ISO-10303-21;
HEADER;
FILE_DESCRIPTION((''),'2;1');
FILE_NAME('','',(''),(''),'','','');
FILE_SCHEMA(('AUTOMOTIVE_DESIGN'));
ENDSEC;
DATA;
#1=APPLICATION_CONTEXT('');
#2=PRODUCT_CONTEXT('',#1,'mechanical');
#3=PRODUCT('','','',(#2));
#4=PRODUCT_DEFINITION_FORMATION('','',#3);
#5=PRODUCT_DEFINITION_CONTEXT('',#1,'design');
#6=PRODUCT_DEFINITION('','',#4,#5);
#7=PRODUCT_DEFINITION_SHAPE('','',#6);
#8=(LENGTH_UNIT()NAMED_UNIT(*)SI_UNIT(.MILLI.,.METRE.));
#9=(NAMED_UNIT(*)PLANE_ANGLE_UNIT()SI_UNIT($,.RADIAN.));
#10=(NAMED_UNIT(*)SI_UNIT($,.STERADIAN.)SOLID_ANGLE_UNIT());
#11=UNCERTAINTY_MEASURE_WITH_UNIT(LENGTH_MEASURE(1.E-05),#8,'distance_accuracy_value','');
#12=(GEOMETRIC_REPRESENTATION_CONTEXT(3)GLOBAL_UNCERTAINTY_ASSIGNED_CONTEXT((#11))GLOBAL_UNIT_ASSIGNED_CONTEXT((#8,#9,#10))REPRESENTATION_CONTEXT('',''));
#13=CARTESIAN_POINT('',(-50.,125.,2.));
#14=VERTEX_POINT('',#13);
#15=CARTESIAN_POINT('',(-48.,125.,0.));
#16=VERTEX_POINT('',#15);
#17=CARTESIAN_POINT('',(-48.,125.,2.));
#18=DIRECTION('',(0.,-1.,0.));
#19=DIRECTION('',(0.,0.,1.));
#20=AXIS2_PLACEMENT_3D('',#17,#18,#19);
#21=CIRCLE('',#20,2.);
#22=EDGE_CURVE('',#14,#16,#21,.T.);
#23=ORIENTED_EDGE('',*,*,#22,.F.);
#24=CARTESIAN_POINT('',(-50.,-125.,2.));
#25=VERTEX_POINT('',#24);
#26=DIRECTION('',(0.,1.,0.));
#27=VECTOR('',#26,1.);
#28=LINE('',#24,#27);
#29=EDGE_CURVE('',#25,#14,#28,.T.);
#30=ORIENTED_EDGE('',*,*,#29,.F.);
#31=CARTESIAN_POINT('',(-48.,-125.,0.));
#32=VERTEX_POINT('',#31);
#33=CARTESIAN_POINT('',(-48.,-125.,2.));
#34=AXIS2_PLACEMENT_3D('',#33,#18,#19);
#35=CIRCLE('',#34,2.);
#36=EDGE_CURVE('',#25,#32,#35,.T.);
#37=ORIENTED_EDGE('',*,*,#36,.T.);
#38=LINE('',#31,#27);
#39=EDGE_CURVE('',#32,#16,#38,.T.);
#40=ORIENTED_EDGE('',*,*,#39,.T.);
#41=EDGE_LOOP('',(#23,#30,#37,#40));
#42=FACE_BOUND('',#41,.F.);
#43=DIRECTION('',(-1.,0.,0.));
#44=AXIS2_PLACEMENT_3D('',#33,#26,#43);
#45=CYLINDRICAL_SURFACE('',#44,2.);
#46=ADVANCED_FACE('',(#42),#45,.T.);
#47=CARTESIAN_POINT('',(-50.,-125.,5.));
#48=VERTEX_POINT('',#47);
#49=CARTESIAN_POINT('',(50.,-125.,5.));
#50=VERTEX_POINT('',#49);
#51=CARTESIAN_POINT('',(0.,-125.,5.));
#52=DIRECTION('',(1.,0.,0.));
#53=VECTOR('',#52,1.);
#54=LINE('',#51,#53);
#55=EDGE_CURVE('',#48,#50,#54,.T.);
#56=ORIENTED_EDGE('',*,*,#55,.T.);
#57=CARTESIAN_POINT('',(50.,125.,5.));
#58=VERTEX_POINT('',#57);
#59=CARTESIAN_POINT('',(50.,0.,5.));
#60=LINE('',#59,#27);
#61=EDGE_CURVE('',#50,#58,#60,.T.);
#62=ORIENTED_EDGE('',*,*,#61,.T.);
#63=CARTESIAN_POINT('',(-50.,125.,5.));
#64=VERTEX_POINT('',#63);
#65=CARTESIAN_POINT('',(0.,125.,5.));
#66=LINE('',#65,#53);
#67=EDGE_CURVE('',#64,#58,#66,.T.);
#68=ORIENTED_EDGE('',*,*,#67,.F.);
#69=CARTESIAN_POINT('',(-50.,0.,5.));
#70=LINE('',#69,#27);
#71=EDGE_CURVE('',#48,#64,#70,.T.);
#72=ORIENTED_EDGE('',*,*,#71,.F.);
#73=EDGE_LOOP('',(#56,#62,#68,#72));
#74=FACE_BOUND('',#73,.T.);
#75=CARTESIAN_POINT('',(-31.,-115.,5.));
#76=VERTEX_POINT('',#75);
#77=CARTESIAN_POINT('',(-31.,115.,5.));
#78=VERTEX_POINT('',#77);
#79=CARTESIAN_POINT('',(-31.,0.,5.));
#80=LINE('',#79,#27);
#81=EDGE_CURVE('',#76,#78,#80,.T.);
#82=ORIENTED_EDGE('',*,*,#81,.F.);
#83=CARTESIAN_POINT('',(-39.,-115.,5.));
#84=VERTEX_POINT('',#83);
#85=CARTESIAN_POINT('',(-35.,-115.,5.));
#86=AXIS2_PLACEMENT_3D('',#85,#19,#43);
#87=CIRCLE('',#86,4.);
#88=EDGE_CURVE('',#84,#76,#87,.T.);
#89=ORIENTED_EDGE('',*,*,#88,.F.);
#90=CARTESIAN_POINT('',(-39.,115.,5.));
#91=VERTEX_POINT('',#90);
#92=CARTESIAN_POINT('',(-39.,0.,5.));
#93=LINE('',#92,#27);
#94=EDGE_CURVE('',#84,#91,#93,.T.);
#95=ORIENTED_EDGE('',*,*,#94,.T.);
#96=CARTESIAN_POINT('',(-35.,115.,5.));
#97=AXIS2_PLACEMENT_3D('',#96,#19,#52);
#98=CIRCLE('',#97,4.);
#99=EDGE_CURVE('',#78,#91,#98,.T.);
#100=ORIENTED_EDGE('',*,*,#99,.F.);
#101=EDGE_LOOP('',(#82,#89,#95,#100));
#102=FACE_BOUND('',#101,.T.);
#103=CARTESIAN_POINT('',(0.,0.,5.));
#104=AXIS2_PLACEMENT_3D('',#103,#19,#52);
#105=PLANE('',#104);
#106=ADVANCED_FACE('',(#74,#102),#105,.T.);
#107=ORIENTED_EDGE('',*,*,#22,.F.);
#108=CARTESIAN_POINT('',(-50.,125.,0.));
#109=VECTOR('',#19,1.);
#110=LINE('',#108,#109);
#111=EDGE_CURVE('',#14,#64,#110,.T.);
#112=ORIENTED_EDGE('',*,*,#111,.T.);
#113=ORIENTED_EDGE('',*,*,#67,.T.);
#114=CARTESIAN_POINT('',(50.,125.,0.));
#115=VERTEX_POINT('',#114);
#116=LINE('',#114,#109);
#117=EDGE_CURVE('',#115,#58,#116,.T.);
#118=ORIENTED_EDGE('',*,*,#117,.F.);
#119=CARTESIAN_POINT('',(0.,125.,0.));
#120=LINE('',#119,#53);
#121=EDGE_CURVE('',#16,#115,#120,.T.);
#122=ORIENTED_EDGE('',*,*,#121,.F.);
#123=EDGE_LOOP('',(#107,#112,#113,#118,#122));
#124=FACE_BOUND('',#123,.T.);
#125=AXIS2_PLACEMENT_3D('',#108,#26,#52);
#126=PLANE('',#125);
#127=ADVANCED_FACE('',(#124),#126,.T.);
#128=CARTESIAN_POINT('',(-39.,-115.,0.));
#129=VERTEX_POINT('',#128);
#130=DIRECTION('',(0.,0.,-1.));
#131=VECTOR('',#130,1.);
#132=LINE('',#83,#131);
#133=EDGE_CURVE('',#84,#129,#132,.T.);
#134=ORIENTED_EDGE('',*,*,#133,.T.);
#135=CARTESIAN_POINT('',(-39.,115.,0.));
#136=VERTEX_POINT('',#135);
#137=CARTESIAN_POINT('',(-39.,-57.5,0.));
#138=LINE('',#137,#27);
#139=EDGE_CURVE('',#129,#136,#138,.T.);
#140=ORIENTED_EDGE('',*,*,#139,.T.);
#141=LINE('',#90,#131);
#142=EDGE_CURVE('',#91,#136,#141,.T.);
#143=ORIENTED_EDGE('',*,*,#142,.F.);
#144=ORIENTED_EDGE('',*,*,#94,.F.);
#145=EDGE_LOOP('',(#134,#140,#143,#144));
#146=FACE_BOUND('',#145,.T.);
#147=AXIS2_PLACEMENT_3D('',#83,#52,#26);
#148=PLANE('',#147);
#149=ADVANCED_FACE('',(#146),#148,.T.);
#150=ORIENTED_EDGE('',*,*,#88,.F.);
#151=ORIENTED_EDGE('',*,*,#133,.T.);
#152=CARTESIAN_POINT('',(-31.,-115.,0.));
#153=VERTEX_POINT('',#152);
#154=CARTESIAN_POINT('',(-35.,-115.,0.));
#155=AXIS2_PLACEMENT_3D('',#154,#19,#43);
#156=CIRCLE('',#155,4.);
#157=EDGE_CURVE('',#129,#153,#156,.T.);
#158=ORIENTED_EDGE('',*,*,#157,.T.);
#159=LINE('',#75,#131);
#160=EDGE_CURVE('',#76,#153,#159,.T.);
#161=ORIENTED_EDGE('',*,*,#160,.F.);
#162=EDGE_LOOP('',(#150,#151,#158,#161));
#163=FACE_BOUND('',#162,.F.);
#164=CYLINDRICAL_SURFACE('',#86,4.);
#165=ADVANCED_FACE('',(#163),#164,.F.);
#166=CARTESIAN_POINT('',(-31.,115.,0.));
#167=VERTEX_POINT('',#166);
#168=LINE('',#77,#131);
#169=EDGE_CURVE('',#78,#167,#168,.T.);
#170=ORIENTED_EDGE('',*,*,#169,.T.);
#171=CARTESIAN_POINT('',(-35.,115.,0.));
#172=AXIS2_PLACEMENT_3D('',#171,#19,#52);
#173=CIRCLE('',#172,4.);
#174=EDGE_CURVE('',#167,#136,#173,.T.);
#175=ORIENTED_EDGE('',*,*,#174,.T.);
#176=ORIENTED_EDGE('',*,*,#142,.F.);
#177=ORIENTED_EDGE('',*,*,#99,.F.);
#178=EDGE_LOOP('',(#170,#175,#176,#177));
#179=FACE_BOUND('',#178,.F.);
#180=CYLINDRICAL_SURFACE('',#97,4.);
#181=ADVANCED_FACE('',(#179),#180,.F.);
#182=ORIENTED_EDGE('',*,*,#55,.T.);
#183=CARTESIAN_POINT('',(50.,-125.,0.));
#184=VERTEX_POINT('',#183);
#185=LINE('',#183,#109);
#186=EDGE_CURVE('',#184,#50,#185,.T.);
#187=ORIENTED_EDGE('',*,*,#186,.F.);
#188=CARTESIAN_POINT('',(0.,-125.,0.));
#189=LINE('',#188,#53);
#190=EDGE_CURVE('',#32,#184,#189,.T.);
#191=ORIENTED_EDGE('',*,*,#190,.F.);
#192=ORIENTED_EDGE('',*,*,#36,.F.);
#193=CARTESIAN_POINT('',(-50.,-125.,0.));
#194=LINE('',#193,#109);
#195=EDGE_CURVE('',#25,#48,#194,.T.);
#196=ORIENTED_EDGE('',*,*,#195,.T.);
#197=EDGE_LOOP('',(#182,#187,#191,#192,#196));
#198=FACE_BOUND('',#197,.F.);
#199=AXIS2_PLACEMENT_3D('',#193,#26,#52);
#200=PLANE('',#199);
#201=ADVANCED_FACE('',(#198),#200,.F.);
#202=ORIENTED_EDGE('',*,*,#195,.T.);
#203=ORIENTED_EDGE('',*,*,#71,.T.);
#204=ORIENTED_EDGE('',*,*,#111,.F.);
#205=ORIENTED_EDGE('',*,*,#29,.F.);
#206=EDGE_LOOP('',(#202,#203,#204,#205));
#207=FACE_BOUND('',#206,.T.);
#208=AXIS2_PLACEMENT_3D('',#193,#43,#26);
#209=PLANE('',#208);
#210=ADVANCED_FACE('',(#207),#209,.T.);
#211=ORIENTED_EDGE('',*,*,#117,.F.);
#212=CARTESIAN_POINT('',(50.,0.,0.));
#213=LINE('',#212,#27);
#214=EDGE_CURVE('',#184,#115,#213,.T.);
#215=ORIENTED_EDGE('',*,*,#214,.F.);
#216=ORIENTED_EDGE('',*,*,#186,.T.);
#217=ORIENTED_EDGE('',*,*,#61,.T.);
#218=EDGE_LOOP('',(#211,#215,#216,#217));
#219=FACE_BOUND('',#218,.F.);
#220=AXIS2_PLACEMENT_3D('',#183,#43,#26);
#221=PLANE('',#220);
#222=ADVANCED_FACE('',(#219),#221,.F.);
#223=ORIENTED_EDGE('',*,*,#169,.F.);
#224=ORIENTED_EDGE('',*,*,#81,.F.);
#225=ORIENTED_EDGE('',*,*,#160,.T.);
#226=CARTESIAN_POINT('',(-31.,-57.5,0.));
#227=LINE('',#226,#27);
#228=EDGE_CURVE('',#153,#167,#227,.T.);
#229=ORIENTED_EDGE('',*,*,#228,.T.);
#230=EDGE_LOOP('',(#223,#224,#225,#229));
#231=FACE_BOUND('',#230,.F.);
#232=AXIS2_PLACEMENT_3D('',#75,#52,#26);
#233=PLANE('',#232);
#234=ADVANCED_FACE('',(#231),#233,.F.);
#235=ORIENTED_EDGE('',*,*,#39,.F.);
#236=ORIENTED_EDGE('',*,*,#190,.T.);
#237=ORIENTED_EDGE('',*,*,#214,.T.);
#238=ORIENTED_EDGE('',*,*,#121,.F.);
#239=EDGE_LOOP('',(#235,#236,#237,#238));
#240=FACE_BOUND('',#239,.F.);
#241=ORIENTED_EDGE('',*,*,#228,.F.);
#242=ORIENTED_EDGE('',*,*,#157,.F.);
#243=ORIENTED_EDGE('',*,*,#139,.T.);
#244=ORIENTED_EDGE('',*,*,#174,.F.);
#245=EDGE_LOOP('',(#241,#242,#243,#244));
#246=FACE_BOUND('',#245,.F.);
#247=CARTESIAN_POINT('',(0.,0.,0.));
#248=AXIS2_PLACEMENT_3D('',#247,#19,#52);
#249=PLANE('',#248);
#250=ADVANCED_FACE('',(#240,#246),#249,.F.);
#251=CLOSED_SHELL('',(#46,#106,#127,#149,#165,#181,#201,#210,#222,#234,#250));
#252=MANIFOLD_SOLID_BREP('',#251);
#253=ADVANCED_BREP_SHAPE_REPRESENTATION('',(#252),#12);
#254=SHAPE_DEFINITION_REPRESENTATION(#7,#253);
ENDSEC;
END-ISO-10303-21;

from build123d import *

# Parameters (mm, degrees)
F0_W     = 100
F0_H     = 250
F1_DEPTH = 5
F3_R     = 2
F2_W     = 8
F2_H     = 230
F4_DEPTH = 25


with BuildPart() as f1:
    # F0 (on Top) → F1 (new body)
    with BuildSketch(Plane.XY):
        Rectangle(F0_W, F0_H)
    extrude(amount=F1_DEPTH)

    # F3
    f3_edges = [f1.edges().sort_by_distance(p)[0] for p in [
        (-50, 0, 0),
    ]]
    fillet(f3_edges, radius=F3_R)

    # F2 (on face) → F4 (cut)
    with BuildSketch(Plane.XY.offset(5)):
        with Locations((-35, 0)):
            Rectangle(F2_W, F2_H)
        with BuildLine():
            ThreePointArc((-31, 115), (-35, 119), (-39, 115))
            Line((-39, 115), (-31, 115))
        make_face()
        with BuildLine():
            Line((-31, -115), (-39, -115))
            ThreePointArc((-39, -115), (-35, -119), (-31, -115))
        make_face()
    extrude(amount=-F4_DEPTH, mode=Mode.SUBTRACT)


solid = f1.part
